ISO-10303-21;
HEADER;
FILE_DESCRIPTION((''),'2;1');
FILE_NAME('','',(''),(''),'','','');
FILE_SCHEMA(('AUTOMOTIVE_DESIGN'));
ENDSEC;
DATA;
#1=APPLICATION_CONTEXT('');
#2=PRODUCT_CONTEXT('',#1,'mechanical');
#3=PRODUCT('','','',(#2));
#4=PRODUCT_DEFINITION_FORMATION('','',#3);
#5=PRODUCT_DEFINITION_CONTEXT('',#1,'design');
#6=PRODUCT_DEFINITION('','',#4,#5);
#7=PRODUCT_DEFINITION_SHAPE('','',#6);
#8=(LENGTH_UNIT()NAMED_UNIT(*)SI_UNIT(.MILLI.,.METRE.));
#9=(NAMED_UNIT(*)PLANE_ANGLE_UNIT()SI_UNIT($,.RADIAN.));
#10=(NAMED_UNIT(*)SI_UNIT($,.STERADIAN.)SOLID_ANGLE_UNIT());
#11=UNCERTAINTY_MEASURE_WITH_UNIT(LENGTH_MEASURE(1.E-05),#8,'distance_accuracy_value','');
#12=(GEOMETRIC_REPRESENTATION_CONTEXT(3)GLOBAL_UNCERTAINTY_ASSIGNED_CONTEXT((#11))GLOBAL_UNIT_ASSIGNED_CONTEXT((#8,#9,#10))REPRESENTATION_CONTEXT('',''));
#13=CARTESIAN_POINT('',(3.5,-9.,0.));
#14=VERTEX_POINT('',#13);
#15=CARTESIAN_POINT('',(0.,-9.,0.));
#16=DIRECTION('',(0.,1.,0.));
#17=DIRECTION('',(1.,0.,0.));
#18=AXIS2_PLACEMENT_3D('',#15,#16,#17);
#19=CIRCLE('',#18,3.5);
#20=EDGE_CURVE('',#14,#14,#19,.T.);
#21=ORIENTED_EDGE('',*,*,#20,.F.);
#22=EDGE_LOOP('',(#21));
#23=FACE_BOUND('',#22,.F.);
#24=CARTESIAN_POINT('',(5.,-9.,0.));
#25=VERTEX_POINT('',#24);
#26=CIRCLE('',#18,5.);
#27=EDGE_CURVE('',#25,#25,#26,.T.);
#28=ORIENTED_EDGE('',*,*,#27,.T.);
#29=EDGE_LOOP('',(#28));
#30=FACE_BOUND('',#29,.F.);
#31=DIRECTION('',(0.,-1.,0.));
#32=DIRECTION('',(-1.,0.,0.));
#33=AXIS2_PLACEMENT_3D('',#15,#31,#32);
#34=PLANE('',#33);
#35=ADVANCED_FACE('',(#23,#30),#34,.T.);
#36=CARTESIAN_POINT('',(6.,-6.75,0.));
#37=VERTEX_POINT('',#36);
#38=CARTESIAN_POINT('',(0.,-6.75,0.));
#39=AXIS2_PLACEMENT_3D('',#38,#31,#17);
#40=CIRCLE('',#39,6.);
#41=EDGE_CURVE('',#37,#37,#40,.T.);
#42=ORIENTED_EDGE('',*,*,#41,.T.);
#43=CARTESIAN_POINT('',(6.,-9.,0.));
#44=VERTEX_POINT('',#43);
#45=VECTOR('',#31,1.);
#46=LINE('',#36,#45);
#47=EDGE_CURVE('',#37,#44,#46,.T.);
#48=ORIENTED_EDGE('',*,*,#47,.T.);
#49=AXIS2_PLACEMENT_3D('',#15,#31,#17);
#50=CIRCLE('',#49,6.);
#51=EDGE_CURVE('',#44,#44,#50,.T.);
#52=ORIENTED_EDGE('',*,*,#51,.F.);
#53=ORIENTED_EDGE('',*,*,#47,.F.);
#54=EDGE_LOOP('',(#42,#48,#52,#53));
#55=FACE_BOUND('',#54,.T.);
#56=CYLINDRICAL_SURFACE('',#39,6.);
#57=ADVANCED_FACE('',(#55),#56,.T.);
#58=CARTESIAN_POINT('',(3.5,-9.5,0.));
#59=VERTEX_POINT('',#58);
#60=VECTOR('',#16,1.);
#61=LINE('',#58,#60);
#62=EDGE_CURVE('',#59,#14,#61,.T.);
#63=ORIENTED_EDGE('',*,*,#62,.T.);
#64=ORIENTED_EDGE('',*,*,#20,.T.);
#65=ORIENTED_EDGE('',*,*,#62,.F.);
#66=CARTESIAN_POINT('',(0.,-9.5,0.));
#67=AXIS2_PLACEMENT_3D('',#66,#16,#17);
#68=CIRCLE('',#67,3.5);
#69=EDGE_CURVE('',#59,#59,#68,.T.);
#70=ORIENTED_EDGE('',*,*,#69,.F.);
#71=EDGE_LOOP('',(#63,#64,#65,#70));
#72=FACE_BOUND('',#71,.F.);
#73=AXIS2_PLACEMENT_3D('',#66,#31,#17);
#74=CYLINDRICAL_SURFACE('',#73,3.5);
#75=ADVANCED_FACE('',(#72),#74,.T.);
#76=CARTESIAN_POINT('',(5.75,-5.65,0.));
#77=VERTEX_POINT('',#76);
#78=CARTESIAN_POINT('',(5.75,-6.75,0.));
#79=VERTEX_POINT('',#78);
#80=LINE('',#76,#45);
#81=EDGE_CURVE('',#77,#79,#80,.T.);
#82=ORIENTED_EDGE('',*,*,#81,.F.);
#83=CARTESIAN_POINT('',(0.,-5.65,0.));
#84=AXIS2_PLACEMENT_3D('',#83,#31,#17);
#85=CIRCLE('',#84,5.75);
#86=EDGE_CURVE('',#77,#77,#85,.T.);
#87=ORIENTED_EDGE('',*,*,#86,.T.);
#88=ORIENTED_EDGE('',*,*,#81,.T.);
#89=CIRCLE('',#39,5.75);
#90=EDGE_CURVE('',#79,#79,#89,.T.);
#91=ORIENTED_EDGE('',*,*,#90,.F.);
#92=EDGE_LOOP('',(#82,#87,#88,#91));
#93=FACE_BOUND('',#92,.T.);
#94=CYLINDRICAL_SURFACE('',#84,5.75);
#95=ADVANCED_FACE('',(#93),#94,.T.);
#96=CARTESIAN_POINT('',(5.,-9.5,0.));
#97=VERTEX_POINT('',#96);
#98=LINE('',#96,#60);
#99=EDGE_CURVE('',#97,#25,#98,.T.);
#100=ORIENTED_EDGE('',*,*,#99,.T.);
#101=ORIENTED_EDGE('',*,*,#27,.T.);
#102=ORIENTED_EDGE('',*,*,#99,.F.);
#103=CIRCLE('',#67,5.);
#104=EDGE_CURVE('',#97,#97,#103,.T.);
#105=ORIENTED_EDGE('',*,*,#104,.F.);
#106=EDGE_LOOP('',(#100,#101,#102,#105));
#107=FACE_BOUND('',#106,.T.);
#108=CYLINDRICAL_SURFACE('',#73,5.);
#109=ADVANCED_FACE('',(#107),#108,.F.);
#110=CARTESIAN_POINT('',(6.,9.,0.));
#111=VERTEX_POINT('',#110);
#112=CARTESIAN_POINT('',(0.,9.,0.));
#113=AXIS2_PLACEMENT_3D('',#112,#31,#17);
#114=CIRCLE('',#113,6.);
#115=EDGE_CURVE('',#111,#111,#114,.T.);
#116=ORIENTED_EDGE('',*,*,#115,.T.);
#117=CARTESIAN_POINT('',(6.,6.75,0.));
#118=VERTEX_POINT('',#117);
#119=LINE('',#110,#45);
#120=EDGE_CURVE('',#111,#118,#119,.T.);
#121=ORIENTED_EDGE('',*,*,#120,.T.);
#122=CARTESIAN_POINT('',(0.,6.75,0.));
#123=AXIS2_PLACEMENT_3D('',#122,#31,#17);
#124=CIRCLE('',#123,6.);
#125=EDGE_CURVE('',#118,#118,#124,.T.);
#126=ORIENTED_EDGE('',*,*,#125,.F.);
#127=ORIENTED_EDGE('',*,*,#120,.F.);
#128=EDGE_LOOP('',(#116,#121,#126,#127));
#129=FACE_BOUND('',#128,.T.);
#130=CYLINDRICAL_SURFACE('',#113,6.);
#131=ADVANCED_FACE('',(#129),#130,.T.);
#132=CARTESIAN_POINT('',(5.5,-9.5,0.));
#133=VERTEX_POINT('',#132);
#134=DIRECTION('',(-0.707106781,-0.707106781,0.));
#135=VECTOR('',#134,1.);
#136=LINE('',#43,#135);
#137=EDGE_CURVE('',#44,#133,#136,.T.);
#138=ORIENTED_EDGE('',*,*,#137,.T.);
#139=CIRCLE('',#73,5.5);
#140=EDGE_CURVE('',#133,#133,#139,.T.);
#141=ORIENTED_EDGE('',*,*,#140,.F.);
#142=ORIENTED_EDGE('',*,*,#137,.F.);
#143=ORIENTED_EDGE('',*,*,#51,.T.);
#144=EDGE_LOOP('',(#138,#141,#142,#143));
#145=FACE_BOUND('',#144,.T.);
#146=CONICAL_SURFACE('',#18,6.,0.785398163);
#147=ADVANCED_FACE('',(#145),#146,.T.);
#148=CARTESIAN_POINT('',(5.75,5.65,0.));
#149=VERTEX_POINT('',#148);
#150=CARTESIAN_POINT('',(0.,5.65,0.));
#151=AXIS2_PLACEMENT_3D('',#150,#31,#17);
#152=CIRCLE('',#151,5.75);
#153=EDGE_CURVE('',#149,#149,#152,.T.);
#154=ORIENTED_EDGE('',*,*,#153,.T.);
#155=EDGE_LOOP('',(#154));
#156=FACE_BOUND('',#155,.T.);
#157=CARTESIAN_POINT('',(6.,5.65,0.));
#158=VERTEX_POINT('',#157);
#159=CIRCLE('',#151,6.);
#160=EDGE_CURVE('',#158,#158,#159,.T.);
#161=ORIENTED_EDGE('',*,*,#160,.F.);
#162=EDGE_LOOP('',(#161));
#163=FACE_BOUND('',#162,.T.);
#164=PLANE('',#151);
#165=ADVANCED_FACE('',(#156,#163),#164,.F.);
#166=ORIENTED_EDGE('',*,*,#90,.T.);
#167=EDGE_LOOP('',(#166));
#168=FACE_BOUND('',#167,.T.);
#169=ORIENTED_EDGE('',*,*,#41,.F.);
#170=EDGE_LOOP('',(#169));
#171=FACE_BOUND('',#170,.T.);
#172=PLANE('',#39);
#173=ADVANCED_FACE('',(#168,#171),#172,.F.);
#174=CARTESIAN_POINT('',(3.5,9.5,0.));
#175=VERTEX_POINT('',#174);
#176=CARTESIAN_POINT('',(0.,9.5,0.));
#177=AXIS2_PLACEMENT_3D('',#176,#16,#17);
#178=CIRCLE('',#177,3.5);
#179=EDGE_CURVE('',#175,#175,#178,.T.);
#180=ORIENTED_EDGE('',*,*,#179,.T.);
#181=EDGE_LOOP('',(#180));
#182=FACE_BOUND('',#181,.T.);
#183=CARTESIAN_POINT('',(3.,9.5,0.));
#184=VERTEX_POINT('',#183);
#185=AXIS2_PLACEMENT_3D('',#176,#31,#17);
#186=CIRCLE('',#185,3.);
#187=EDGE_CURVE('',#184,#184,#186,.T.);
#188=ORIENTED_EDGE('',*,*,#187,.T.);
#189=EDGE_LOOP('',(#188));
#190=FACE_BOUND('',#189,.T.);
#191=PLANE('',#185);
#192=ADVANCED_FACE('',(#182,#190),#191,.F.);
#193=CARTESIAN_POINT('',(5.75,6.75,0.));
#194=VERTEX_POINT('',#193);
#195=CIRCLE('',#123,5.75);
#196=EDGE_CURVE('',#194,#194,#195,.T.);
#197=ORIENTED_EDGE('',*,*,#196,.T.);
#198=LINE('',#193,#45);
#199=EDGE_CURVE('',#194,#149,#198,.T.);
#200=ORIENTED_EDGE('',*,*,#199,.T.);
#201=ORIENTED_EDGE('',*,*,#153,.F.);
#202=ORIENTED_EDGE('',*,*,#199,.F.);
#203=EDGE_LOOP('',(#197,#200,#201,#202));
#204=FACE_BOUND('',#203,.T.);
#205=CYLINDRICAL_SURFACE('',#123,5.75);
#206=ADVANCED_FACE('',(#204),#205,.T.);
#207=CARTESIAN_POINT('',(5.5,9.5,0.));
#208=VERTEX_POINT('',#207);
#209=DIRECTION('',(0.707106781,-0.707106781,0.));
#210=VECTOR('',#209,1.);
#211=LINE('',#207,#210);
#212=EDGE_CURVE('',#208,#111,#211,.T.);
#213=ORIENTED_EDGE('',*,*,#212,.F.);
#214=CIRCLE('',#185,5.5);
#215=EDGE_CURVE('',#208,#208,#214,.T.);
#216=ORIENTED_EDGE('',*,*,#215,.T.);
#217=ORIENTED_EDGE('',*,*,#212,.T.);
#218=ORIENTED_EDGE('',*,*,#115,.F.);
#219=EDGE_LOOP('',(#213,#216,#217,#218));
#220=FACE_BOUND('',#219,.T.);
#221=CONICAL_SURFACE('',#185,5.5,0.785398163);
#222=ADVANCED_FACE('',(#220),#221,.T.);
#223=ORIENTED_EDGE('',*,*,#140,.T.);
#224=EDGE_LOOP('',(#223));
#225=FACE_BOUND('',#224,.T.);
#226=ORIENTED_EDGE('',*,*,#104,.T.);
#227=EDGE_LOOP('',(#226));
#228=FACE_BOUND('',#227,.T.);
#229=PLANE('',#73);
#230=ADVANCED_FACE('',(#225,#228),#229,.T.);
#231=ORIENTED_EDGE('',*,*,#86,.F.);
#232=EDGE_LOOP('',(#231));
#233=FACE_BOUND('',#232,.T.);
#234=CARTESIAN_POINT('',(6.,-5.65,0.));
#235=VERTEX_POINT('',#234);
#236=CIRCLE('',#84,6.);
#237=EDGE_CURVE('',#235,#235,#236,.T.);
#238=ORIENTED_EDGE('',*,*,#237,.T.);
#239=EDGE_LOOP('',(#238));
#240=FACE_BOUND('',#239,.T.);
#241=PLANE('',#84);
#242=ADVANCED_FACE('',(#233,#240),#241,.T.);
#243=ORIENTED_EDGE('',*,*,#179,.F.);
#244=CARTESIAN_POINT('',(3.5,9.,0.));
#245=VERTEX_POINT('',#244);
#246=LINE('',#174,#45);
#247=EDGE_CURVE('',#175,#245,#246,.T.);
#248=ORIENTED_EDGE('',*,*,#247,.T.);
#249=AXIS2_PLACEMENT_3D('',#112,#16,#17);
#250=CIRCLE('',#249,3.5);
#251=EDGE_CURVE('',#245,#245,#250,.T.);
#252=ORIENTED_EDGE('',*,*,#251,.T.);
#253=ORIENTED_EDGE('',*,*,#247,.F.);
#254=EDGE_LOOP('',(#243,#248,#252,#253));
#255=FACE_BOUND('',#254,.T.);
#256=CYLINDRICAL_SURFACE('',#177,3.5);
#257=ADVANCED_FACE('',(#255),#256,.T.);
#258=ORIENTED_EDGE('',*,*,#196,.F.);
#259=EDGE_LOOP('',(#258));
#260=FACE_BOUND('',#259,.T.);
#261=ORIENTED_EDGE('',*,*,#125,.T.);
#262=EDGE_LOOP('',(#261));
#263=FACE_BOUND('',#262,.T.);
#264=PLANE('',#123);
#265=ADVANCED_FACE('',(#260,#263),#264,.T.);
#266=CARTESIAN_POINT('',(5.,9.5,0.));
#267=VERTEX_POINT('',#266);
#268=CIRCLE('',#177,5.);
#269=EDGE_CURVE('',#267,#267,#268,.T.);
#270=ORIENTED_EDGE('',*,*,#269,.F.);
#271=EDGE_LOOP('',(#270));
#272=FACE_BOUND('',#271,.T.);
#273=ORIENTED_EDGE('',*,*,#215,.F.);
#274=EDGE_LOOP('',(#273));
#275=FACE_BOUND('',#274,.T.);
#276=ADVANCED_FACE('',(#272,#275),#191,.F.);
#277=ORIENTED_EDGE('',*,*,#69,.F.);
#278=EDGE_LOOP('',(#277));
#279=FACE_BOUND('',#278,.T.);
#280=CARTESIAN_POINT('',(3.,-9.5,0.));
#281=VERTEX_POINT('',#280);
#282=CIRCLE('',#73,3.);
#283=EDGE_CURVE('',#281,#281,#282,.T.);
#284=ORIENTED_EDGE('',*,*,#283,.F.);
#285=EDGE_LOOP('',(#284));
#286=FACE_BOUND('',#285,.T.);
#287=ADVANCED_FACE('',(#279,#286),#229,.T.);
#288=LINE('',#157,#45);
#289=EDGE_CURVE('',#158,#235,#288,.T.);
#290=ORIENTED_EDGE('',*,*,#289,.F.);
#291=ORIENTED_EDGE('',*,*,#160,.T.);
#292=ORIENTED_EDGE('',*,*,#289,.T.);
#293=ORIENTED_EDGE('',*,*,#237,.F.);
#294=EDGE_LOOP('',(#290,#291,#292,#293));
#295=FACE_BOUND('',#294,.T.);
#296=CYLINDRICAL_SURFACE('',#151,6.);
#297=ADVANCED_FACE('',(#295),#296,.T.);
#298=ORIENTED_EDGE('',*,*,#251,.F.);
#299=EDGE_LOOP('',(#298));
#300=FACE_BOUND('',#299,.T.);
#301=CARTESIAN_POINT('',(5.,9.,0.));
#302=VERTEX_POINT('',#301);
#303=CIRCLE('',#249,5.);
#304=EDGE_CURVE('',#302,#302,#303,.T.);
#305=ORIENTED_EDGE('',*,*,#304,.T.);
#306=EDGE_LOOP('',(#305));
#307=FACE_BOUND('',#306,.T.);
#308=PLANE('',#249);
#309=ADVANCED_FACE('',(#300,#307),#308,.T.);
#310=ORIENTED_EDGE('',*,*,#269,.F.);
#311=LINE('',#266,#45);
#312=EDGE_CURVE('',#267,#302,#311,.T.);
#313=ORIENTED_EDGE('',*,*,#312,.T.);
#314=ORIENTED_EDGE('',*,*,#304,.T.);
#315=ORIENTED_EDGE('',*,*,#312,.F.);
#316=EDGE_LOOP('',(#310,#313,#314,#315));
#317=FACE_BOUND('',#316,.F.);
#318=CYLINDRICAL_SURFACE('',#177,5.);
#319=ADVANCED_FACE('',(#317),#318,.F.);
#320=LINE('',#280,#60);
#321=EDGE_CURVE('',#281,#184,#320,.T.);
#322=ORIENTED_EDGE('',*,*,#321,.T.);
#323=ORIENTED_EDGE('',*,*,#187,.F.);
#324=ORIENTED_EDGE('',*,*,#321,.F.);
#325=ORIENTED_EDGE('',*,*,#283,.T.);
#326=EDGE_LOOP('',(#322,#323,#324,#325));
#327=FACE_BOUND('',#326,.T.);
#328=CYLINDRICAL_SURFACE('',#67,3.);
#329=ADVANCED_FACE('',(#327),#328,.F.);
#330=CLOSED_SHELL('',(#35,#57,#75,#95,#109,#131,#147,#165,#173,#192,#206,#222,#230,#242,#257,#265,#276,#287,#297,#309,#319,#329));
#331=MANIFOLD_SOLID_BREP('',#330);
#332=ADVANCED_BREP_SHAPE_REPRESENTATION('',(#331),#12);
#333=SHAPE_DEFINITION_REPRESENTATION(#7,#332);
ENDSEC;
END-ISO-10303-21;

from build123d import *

# Parameters (mm, degrees)
SKETCH2_R          = 5
SKETCH2_R_2        = 3.5
CUT_EXTRUDE1_DEPTH = 0.5


with BuildPart() as part:
    # Sketch1 → Revolve1 (revolve)
    with BuildSketch(Plane.XY):
        Polygon((3, -9.5), (3, 9.5), (5.5, 9.5), (6, 9), (6, 6.75), (5.75, 6.75), (5.75, 5.65), (6, 5.65), (6, -5.65), (5.75, -5.65), (5.75, -6.75), (6, -6.75), (6, -9), (5.5, -9.5), align=None)
    revolve(axis=Axis((0, 9.5, 0), (0, -1, 0)))

    # Sketch2 → Cut-Extrude1 (cut)
    with BuildSketch(Plane(origin=(0, 9.5, 0), x_dir=(1, 0, 0), z_dir=(0, 1, 0))):
        Circle(SKETCH2_R)
        Circle(SKETCH2_R_2, mode=Mode.SUBTRACT)
    cut_extrude1 = extrude(amount=-CUT_EXTRUDE1_DEPTH, mode=Mode.SUBTRACT)

    # Mirror1: Cut-Extrude1 across plane
    add(cut_extrude1.mirror(Plane.ZX), mode=Mode.SUBTRACT)


solid = part.part
